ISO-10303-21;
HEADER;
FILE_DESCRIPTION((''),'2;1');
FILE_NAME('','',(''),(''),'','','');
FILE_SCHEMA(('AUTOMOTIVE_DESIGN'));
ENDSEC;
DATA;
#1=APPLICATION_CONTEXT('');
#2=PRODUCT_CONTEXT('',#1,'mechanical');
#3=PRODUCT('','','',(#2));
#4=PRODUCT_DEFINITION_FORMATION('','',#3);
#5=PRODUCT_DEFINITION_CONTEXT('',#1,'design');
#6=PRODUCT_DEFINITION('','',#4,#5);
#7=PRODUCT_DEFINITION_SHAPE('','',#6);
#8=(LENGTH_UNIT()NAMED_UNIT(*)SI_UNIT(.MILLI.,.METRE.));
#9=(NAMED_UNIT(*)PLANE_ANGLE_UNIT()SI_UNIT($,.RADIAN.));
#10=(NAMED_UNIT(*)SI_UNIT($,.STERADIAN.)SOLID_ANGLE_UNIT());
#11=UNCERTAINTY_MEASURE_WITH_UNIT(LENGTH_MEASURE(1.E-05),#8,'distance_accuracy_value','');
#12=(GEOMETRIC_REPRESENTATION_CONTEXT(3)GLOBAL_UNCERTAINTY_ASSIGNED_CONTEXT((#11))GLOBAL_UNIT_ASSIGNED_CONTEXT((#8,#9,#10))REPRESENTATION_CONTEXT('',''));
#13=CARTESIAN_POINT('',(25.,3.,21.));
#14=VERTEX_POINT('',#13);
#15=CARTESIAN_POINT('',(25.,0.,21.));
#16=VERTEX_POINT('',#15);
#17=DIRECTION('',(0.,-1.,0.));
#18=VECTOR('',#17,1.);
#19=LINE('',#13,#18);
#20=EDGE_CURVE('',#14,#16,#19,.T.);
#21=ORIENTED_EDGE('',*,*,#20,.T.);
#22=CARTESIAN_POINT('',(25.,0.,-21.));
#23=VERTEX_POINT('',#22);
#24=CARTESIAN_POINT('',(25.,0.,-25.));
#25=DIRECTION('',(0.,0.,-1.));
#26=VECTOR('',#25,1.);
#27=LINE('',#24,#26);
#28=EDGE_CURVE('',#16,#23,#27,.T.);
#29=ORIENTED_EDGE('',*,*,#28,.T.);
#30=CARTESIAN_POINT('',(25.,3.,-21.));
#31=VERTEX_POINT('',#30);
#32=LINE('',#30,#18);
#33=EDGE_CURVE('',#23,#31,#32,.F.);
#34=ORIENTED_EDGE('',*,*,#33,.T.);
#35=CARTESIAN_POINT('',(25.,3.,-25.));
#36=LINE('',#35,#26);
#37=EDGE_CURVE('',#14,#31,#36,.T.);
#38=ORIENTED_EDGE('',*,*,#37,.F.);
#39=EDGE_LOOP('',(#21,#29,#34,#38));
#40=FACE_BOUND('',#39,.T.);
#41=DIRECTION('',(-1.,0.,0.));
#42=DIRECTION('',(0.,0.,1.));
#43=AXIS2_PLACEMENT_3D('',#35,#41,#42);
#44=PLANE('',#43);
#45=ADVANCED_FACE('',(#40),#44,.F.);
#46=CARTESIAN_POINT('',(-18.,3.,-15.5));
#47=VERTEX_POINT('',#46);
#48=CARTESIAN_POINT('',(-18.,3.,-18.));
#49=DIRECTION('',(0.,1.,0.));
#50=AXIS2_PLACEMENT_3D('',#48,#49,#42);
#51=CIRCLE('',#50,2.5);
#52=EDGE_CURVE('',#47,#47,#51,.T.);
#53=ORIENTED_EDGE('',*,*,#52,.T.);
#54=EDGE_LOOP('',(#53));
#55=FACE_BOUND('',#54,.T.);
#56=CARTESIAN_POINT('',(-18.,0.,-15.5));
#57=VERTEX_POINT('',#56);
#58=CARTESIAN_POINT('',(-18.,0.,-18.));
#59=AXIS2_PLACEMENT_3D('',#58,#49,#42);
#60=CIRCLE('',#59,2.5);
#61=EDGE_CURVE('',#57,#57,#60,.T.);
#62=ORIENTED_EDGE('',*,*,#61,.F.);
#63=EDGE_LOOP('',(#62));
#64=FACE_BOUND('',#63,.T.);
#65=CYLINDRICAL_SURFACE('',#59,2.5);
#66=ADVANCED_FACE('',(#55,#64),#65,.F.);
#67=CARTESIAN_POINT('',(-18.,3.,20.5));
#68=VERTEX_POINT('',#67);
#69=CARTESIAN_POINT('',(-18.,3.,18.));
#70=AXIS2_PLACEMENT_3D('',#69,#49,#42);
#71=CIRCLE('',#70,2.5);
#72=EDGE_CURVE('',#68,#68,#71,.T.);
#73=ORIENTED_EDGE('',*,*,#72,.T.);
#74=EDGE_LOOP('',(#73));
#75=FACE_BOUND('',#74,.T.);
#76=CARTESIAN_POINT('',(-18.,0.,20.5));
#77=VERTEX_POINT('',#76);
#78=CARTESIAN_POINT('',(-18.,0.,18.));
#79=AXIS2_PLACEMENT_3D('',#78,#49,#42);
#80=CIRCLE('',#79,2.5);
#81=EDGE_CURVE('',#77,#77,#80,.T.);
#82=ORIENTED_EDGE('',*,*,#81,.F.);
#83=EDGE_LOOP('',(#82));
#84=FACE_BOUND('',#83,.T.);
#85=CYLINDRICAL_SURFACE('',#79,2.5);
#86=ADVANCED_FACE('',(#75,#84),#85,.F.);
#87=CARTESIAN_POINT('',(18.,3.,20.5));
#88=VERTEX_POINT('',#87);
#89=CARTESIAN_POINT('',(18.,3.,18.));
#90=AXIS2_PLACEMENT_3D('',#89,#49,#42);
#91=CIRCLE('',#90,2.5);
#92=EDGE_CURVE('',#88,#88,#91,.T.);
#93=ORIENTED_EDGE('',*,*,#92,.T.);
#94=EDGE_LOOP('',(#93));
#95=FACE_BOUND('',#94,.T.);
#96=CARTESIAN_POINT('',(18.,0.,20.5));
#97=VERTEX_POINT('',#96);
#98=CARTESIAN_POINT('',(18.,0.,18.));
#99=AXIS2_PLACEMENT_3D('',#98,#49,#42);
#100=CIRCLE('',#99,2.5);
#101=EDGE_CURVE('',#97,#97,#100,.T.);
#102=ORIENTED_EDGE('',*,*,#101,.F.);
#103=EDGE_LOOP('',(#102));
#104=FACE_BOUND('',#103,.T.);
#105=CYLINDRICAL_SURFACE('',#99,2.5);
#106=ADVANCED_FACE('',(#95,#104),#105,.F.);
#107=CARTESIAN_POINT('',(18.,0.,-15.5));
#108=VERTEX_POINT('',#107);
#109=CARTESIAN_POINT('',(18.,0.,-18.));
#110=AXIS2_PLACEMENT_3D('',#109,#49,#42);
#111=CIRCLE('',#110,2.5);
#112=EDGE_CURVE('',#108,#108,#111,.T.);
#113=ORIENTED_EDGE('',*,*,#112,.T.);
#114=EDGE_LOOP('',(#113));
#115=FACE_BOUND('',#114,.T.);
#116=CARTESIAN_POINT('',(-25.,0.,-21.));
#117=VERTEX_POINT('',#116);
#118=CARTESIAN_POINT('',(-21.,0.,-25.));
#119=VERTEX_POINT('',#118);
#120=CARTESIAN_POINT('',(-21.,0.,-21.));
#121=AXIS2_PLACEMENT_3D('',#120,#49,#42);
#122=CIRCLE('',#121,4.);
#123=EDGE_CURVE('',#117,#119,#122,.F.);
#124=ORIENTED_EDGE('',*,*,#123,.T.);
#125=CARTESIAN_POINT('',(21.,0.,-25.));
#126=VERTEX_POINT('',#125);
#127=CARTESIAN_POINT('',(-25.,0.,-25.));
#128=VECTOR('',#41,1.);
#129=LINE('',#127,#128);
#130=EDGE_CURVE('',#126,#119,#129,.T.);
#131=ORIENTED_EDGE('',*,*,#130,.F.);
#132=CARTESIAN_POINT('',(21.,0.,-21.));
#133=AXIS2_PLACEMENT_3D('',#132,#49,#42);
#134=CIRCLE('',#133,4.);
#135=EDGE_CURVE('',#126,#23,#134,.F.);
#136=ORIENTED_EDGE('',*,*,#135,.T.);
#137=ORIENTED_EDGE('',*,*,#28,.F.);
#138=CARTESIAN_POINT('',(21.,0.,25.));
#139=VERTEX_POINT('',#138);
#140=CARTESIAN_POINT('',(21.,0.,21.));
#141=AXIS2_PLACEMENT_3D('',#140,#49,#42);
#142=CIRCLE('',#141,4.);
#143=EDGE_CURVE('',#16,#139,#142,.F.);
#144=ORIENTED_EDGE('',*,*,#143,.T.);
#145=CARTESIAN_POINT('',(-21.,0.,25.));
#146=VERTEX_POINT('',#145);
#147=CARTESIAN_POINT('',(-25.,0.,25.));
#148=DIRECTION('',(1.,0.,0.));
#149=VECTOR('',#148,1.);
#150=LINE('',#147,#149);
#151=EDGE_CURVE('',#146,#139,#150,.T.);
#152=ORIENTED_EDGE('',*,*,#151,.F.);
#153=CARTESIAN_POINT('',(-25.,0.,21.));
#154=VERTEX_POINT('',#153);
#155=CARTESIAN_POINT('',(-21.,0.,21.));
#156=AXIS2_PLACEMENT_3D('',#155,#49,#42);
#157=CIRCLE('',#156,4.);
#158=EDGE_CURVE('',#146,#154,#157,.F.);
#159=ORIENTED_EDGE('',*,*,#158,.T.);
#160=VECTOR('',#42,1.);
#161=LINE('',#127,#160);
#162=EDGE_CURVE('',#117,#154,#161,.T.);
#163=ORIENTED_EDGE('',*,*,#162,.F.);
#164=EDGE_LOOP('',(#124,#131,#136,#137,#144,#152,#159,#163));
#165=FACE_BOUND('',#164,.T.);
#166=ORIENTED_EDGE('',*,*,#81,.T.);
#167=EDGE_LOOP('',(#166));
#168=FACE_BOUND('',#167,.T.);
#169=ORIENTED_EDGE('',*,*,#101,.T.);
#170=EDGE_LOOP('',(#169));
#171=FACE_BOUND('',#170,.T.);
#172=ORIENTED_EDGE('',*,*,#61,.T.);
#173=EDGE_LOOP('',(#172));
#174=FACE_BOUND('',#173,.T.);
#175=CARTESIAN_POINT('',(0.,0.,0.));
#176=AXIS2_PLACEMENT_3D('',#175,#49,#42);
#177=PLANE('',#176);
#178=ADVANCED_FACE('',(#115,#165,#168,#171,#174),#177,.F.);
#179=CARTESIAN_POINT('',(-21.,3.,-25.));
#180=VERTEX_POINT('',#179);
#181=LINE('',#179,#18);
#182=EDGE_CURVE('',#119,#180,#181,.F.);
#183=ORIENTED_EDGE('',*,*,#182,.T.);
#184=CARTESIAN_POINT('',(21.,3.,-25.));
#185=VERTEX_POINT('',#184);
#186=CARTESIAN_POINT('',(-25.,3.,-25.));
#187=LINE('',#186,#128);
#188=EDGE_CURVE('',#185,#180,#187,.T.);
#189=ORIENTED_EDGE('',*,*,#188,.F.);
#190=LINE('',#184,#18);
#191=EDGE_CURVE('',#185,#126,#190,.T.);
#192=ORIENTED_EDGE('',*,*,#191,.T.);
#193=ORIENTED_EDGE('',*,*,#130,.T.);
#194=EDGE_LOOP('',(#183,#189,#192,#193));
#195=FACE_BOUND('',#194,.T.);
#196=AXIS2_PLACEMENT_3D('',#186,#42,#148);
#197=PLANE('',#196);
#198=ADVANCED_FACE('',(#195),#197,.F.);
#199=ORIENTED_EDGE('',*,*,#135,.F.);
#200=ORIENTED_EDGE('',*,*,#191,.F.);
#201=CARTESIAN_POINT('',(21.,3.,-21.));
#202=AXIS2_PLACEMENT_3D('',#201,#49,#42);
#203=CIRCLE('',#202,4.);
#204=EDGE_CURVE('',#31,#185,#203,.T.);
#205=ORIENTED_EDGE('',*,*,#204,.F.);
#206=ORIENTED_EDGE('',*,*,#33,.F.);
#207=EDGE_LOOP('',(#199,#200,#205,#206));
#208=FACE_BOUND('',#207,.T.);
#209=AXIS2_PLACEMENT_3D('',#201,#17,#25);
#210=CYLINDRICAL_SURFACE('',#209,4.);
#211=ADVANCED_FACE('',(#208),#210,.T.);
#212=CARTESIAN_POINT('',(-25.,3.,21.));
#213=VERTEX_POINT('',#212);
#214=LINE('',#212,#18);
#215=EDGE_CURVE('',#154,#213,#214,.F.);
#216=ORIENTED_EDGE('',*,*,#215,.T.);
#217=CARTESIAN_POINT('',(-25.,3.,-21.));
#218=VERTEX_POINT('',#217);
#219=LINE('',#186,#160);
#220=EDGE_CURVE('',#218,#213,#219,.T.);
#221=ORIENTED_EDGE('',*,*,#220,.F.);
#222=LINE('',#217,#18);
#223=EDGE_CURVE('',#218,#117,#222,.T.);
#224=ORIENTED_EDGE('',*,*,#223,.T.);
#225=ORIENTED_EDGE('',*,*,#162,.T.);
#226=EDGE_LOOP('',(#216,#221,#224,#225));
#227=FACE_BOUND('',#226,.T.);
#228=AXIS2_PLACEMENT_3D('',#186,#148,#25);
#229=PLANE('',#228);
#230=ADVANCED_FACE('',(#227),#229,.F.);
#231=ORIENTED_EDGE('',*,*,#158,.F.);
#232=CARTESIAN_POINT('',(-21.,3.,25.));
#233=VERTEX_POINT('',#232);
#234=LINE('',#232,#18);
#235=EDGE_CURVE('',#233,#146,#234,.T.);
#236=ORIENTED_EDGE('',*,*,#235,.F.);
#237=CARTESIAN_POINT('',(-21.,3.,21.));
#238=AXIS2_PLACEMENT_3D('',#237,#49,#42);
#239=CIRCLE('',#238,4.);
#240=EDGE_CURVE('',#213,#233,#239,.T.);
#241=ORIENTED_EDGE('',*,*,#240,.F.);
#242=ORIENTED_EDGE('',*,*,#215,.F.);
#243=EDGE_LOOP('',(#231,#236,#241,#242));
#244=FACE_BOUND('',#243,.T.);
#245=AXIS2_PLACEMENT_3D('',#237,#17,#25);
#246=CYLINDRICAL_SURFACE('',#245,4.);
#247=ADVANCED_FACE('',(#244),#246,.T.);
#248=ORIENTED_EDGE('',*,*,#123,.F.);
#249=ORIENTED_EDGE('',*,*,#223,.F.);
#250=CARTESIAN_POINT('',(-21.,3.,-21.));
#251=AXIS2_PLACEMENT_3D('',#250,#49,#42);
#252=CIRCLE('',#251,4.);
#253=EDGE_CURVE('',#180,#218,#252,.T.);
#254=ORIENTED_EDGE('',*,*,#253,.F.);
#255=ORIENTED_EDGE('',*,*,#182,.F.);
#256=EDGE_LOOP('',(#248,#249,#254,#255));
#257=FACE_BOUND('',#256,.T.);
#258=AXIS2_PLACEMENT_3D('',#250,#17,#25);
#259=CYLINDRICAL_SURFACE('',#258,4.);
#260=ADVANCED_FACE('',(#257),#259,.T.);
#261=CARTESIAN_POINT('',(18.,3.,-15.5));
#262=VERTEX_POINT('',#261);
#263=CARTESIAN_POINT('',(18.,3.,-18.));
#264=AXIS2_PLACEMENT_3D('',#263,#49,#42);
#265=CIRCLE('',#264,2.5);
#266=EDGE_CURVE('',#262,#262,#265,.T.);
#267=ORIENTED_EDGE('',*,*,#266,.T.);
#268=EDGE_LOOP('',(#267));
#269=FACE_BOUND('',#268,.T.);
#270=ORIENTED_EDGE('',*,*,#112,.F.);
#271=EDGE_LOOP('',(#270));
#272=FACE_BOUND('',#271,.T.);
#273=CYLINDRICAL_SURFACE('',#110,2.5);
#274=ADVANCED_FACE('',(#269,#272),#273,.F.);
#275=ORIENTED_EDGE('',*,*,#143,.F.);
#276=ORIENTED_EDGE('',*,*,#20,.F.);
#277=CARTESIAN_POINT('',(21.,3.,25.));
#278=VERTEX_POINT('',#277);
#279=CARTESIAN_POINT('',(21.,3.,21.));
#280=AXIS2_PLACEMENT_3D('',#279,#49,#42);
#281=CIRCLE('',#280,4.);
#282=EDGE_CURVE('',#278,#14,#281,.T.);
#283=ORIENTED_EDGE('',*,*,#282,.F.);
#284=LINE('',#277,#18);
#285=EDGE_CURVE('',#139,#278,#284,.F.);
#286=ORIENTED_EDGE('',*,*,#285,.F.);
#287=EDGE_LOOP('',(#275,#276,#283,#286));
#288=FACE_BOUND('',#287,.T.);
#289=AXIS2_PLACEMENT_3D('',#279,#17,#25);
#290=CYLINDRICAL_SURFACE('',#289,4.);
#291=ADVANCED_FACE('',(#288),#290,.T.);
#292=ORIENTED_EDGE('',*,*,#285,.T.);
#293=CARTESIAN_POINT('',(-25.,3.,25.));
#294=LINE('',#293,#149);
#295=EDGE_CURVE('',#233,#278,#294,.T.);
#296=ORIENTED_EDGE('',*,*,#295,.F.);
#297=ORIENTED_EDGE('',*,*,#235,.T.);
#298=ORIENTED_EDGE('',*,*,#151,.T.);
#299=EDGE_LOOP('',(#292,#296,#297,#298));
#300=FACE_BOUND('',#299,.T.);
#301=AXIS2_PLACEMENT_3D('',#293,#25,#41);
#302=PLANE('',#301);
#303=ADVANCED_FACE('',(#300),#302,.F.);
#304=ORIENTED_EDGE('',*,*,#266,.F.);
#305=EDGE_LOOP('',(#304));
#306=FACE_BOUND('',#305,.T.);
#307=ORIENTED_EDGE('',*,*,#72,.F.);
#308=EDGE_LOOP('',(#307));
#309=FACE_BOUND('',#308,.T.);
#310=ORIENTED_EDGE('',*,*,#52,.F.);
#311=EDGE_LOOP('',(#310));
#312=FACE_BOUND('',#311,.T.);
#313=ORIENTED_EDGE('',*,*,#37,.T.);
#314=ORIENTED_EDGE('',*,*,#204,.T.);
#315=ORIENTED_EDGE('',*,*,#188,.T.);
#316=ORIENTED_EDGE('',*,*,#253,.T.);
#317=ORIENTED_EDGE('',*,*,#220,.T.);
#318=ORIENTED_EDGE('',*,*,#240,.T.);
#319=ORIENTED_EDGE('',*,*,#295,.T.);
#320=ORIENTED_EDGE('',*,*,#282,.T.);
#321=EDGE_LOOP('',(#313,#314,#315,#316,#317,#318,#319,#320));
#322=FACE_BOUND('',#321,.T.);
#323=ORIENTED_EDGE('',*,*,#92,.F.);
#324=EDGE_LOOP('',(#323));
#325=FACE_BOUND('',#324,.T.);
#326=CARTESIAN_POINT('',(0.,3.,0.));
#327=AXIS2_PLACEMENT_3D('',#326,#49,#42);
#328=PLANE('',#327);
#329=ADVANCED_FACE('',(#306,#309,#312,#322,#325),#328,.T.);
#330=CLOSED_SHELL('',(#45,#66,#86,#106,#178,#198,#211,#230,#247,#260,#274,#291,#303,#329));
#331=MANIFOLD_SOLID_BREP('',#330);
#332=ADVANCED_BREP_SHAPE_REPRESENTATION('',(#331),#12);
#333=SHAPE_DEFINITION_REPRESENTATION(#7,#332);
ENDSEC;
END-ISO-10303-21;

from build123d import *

# Parameters (mm, degrees)
SKETCH1_W           = 50
SKETCH1_H           = 50
BOSS_EXTRUDE1_DEPTH = 3
FILLET1_R           = 4
SKETCH2_R           = 2.5
CUT_EXTRUDE1_DEPTH  = 3


with BuildPart() as part:
    # Sketch1 → Boss-Extrude1 (new body)
    with BuildSketch(Plane(origin=(0, 0, 0), x_dir=(1, 0, 0), z_dir=(0, 1, 0))):
        Rectangle(SKETCH1_W, SKETCH1_H)
    extrude(amount=BOSS_EXTRUDE1_DEPTH)

    # Fillet1
    fillet1_edges = [part.edges().sort_by_distance(p)[0] for p in [
        (25, 1.5, 25),
        (-25, 1.5, 25),
        (-25, 1.5, -25),
        (25, 1.5, -25),
    ]]
    fillet(fillet1_edges, radius=FILLET1_R)

    # Sketch2 → Cut-Extrude1 (cut)
    with BuildSketch(Plane(origin=(0, 3, 0), x_dir=(1, 0, 0), z_dir=(0, 1, 0))):
        with Locations(Location((-18, 18, 0), (0, 0, 270))):
            Circle(SKETCH2_R)
        with Locations(Location((18, 18, 0), (0, 0, 270))):
            Circle(SKETCH2_R)
        with Locations(Location((18, -18, 0), (0, 0, 270))):
            Circle(SKETCH2_R)
        with Locations(Location((-18, -18, 0), (0, 0, 270))):
            Circle(SKETCH2_R)
    extrude(amount=-CUT_EXTRUDE1_DEPTH, mode=Mode.SUBTRACT)


solid = part.part
